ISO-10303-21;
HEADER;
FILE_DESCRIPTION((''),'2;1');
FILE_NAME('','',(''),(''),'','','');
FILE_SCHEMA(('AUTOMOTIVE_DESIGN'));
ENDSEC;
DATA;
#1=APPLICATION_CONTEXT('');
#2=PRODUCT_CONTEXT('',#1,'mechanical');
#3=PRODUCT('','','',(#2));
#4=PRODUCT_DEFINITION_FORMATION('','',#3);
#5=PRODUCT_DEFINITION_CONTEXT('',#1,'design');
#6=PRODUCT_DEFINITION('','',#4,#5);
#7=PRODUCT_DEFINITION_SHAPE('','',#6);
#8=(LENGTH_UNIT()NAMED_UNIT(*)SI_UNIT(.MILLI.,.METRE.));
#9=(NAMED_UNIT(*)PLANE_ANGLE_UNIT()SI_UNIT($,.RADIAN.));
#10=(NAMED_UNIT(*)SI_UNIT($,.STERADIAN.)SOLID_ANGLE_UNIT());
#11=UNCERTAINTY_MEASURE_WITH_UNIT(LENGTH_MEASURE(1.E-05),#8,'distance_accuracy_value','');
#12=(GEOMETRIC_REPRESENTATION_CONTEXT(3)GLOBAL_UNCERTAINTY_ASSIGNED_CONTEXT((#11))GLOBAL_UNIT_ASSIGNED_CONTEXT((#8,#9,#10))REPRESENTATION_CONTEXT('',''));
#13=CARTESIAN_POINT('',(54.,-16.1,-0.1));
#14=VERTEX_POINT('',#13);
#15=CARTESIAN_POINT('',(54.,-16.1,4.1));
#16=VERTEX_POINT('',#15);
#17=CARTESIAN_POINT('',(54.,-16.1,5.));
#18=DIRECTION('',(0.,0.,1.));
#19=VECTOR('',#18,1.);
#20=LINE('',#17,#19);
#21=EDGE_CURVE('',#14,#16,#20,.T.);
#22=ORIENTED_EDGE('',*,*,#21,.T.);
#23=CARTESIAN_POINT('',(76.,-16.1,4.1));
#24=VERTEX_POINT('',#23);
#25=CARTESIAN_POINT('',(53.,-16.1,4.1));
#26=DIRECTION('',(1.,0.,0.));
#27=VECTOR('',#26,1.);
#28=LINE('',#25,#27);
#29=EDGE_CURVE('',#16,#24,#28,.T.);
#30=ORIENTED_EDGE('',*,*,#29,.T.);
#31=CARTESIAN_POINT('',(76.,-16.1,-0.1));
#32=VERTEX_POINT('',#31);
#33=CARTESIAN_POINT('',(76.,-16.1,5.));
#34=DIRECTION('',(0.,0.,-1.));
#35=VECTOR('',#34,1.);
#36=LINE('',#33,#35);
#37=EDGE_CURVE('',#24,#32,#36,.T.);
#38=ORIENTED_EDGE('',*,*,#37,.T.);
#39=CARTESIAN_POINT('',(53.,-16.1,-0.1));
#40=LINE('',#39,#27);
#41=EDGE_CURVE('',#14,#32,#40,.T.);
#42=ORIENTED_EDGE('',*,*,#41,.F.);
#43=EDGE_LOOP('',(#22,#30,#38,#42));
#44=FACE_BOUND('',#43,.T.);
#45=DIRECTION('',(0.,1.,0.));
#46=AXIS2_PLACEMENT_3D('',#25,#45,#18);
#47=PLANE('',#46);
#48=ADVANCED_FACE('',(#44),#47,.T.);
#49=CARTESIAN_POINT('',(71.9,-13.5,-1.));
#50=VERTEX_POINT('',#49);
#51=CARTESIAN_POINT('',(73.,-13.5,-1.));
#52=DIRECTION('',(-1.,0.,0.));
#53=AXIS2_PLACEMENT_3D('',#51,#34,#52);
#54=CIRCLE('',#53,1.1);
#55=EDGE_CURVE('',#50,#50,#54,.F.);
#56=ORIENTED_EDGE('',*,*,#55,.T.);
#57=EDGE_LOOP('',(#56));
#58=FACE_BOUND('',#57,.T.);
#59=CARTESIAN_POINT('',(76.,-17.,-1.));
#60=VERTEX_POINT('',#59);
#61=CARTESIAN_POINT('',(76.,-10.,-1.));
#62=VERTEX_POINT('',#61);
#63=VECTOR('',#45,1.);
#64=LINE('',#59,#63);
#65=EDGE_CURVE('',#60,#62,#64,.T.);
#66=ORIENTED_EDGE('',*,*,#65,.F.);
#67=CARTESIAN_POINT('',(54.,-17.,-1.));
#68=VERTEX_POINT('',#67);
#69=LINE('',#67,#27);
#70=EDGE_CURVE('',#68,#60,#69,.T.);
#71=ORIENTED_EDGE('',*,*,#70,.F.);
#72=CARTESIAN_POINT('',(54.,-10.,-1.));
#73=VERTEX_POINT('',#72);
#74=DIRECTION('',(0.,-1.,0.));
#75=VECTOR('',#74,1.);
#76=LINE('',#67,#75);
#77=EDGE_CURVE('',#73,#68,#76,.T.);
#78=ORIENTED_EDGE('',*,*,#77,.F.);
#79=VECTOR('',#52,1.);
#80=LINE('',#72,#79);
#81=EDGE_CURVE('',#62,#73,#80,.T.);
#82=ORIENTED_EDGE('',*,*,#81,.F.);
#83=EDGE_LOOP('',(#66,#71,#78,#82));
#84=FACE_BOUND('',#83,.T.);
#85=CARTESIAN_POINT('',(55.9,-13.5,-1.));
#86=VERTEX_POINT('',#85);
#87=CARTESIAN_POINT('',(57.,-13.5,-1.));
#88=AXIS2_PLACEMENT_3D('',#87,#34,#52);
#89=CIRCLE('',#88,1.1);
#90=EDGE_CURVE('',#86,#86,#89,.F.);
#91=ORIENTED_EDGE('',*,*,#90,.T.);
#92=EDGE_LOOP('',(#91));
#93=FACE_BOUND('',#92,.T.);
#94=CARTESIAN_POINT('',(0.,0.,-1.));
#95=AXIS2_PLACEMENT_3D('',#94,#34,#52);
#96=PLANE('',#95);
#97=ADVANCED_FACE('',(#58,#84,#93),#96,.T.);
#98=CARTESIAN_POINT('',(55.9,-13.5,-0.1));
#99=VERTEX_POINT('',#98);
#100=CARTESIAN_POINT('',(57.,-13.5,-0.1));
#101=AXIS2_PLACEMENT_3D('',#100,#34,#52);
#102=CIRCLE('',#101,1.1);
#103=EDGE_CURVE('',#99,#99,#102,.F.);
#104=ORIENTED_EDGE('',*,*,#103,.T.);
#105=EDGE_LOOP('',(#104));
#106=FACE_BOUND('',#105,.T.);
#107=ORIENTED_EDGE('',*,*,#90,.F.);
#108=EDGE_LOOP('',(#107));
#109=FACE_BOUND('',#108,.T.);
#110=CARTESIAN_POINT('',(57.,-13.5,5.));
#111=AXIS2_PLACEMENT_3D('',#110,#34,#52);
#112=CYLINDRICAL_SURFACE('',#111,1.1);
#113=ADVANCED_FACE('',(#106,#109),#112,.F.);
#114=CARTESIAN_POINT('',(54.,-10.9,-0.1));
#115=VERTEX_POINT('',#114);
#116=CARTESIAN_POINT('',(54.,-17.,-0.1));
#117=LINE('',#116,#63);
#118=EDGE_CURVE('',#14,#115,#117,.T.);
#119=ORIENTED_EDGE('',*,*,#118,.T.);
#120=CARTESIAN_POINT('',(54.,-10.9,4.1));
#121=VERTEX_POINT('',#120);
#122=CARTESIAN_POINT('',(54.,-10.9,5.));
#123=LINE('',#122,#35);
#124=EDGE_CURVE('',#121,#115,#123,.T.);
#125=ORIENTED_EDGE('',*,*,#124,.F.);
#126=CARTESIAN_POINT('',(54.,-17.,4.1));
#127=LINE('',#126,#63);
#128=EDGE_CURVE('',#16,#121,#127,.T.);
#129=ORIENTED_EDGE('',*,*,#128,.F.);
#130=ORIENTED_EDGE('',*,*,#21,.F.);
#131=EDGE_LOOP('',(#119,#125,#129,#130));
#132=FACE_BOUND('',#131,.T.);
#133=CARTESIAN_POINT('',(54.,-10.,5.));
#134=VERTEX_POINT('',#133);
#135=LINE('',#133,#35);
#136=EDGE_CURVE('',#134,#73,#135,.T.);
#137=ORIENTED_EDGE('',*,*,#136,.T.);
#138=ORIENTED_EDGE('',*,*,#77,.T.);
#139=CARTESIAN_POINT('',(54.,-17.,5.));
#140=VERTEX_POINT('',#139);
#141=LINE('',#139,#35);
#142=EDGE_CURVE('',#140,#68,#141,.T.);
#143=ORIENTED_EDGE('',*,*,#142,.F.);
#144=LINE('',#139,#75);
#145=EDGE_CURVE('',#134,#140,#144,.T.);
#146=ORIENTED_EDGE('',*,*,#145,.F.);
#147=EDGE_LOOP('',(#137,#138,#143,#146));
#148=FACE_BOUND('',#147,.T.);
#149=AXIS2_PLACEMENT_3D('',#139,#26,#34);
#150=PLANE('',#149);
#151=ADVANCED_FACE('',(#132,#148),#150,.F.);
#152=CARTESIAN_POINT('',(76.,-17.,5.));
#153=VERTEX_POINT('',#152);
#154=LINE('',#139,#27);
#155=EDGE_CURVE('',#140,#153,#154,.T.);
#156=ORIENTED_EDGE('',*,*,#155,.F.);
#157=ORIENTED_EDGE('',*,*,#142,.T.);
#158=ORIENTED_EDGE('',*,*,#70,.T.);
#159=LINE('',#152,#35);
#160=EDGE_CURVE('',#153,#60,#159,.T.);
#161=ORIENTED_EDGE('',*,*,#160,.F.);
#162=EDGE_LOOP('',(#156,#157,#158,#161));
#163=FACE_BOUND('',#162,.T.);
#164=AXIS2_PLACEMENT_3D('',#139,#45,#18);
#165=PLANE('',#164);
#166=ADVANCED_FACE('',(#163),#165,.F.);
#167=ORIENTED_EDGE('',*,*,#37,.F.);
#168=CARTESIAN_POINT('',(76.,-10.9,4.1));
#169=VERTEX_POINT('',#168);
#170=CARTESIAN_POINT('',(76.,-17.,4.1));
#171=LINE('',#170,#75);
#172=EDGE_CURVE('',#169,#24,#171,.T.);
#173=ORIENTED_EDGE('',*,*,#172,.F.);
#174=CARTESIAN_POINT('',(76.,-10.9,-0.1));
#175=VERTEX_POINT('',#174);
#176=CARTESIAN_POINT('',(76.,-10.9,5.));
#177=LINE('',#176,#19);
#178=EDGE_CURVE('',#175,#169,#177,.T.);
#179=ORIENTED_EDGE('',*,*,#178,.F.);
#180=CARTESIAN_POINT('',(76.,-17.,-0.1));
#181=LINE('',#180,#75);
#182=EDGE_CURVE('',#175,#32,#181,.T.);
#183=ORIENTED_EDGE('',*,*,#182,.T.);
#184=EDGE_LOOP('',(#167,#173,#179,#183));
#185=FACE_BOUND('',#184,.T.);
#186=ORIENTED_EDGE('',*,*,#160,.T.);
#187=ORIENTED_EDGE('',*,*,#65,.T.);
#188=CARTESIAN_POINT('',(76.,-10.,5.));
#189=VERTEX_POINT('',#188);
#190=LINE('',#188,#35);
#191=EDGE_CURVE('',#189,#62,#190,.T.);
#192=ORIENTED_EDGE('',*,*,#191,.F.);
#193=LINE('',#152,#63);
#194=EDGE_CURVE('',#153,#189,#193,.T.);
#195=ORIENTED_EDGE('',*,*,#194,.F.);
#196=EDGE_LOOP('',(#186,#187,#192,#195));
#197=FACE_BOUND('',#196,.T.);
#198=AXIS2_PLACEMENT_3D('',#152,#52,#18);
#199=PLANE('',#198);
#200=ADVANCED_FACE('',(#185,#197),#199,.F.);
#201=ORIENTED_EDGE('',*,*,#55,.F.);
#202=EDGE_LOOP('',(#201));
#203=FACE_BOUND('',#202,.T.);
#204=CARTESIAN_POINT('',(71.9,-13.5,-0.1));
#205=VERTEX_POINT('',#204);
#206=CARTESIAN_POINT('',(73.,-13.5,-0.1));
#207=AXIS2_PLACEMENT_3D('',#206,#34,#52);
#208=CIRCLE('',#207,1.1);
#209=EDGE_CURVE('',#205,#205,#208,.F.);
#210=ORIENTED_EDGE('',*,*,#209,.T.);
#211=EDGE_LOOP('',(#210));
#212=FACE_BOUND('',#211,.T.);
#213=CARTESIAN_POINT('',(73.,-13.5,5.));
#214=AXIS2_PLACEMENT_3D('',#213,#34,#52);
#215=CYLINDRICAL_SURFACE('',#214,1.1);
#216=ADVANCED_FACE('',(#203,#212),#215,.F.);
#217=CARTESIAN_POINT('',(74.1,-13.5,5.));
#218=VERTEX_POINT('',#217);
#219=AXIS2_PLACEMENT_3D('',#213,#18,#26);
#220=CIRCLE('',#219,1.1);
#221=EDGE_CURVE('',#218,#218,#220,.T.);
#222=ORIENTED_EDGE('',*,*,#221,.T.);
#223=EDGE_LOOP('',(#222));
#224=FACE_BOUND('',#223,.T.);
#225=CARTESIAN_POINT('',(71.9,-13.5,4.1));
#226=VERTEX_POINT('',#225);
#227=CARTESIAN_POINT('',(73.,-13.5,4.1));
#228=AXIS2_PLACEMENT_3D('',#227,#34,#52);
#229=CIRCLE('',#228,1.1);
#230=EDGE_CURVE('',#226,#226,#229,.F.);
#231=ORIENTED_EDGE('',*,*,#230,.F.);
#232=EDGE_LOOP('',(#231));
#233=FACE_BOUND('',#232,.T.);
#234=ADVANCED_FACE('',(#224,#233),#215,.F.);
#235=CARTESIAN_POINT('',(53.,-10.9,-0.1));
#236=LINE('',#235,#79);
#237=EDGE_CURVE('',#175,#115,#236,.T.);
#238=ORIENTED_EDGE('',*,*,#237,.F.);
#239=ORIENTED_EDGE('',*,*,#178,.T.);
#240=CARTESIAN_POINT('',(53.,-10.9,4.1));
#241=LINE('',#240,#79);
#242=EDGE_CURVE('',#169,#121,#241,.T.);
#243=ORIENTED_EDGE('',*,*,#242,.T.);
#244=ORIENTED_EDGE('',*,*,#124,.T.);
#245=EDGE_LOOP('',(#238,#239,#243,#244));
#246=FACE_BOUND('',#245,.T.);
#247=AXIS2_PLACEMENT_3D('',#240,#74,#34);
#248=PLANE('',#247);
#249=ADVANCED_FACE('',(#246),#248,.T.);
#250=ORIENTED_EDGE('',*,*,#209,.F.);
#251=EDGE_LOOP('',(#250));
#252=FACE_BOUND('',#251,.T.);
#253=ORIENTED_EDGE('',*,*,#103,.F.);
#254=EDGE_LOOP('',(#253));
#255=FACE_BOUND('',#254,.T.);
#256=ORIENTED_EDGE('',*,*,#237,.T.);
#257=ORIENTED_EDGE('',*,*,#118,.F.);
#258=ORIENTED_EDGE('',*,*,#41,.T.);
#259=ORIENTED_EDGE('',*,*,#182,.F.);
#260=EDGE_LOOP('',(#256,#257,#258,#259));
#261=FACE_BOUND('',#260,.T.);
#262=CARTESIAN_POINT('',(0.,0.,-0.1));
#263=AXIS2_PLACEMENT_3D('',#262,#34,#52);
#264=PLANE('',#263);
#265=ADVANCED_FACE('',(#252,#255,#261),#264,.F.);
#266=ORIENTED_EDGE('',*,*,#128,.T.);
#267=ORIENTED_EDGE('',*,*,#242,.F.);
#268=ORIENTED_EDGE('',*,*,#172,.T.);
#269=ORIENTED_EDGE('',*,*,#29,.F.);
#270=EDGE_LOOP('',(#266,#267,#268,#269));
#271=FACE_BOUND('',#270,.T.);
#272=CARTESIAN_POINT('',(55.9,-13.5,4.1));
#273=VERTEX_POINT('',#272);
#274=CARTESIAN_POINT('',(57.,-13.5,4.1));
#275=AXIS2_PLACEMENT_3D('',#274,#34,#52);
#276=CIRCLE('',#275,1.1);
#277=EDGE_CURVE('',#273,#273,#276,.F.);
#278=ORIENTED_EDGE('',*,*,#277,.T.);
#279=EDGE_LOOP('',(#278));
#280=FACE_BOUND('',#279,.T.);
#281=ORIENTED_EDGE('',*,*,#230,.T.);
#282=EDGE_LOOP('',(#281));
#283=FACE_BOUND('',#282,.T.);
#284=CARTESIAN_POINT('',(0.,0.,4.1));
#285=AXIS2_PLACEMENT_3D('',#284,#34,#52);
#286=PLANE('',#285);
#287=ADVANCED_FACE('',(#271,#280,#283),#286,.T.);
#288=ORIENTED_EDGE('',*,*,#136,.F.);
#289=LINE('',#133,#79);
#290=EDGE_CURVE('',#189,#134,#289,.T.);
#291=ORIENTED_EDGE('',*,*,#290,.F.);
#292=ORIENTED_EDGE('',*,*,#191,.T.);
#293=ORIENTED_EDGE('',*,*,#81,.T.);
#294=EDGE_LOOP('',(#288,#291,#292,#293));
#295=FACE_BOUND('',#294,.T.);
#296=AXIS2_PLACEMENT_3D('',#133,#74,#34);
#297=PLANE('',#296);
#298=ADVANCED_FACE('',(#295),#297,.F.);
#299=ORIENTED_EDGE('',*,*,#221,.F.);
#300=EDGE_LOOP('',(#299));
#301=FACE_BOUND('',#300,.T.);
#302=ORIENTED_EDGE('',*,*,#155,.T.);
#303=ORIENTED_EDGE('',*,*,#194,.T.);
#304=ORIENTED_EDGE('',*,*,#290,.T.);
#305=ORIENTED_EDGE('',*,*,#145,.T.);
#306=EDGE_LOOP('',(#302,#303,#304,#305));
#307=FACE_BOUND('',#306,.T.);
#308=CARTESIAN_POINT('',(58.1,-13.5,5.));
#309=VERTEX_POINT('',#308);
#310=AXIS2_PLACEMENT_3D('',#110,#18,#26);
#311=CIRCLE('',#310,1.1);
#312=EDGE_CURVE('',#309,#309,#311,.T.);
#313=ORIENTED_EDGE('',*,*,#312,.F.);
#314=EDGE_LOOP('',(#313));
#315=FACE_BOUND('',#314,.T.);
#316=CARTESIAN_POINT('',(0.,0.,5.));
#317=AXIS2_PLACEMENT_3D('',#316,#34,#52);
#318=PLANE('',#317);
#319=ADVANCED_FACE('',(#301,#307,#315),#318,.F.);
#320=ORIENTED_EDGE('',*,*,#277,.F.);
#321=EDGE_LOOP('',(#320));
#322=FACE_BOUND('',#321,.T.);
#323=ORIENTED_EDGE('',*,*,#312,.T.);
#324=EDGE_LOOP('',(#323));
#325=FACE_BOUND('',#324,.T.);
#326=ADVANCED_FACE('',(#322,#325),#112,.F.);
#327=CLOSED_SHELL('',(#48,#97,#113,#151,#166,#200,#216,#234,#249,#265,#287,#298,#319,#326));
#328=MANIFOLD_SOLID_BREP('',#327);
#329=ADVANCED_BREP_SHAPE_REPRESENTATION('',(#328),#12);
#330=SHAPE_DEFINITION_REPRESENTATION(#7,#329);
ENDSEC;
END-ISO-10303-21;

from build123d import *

# Parameters (mm, degrees)
SOFT_CONTACT_AND_WRAP_START     = -1
SOFT_CONTACT_AND_WRAP_PROFILE_W = 22
SOFT_CONTACT_AND_WRAP_PROFILE_H = 7
SOFT_CONTACT_AND_WRAP_DEPTH     = 6
SLIP_POCKET_START               = -0.1
FIXED_BAR_SLIP_POCKET_PROFILE_W = 24
FIXED_BAR_SLIP_POCKET_PROFILE_H = 5.2
SLIP_POCKET_DEPTH               = 4.2
PAD_CAPTURE_M2_START            = -50
PAD_CAPTURE_M2_PROFILE_R        = 1.1
PAD_CAPTURE_M2_DEPTH            = 129.038452061


with BuildPart() as part:
    # Soft_contact_and_wrap_profile → Soft_contact_and_wrap (new body)
    with BuildSketch(Plane.XY.offset(SOFT_CONTACT_AND_WRAP_START)):
        with Locations((65, -13.5)):
            Rectangle(SOFT_CONTACT_AND_WRAP_PROFILE_W, SOFT_CONTACT_AND_WRAP_PROFILE_H)
    extrude(amount=SOFT_CONTACT_AND_WRAP_DEPTH)

    # Fixed_bar_slip_pocket_profile → Slip_pocket (cut)
    with BuildSketch(Plane.XY.offset(SLIP_POCKET_START)):
        with Locations((65, -13.5)):
            Rectangle(FIXED_BAR_SLIP_POCKET_PROFILE_W, FIXED_BAR_SLIP_POCKET_PROFILE_H)
    extrude(amount=SLIP_POCKET_DEPTH, mode=Mode.SUBTRACT)

    # Pad_capture_M2_profile → Pad_capture_M2 (cut, through all)
    with BuildSketch(Plane.XY.offset(PAD_CAPTURE_M2_START)):
        with Locations(Location((57, -13.5, 0), (0, 0, 180))):
            Circle(PAD_CAPTURE_M2_PROFILE_R)
        with Locations(Location((73, -13.5, 0), (0, 0, 180))):
            Circle(PAD_CAPTURE_M2_PROFILE_R)
    extrude(amount=PAD_CAPTURE_M2_DEPTH, mode=Mode.SUBTRACT)


solid = part.part
